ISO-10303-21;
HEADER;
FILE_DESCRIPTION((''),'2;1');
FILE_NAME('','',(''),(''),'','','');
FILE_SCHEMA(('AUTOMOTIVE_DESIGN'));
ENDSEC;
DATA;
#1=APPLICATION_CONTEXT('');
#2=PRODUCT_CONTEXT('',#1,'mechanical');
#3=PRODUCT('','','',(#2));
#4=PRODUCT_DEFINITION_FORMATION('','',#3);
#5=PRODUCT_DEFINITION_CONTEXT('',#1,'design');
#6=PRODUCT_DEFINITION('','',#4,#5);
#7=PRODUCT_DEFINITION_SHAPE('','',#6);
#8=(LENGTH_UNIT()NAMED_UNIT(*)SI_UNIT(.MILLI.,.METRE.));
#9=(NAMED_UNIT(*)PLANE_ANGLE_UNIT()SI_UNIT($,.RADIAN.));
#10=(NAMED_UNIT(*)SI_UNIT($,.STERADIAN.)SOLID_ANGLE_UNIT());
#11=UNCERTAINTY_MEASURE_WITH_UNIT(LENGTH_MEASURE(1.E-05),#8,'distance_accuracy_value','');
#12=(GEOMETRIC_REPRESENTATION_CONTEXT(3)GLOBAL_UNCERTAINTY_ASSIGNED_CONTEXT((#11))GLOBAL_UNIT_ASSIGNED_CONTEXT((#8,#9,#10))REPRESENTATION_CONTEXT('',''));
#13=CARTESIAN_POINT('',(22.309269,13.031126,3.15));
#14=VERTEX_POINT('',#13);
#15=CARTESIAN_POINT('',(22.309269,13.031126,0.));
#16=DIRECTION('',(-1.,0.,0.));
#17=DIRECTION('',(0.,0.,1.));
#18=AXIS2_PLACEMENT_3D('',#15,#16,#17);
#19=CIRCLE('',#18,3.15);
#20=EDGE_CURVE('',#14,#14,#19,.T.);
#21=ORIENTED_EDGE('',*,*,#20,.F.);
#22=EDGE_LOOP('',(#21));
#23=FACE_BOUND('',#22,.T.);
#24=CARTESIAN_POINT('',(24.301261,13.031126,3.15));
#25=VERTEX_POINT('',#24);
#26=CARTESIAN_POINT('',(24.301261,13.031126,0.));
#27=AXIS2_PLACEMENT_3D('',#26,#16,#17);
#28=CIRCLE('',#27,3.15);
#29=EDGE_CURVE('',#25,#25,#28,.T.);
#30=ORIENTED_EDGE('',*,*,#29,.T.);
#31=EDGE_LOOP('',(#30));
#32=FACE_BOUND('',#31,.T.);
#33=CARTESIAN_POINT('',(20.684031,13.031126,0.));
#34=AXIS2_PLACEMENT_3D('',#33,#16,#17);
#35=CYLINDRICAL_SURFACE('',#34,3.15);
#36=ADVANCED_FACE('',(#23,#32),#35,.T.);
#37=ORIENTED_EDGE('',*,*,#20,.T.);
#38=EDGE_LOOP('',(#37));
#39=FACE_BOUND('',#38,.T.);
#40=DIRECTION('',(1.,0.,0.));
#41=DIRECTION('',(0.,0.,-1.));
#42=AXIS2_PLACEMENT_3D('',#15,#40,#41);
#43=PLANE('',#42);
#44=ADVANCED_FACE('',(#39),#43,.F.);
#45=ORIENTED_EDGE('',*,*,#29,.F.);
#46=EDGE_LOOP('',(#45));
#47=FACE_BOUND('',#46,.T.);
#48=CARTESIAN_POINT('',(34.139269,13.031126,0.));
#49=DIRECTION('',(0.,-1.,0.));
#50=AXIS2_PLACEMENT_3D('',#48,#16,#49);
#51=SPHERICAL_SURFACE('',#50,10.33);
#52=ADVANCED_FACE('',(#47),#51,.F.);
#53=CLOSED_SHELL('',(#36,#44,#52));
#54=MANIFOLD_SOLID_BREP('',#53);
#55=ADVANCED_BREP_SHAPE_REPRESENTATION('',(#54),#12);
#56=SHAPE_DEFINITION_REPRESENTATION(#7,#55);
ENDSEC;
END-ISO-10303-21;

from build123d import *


with BuildPart() as part:
    # 草图1 → 旋转1 (revolve)
    with BuildSketch(Plane.XY, mode=Mode.PRIVATE) as revolve_1_sk:
        with BuildLine():
            Line((22.309268833, 13.031126091), (22.309268833, 16.181126091))
            Line((22.309268833, 16.181126091), (24.301260904, 16.181126091))
            ThreePointArc((24.301260904, 16.181126091), (23.933007962, 14.625221148), (23.809268833, 13.031126091))
            Line((23.809268833, 13.031126091), (22.309268833, 13.031126091))
        make_face()
    revolve(revolve_1_sk.sketch.rotate(Axis((20.684030635, 13.031126091, 0), (1, 0, 0)), 180), axis=Axis((20.684030635, 13.031126091, 0), (1, 0, 0)))  # turned: the seam where the file's is


solid = part.part
